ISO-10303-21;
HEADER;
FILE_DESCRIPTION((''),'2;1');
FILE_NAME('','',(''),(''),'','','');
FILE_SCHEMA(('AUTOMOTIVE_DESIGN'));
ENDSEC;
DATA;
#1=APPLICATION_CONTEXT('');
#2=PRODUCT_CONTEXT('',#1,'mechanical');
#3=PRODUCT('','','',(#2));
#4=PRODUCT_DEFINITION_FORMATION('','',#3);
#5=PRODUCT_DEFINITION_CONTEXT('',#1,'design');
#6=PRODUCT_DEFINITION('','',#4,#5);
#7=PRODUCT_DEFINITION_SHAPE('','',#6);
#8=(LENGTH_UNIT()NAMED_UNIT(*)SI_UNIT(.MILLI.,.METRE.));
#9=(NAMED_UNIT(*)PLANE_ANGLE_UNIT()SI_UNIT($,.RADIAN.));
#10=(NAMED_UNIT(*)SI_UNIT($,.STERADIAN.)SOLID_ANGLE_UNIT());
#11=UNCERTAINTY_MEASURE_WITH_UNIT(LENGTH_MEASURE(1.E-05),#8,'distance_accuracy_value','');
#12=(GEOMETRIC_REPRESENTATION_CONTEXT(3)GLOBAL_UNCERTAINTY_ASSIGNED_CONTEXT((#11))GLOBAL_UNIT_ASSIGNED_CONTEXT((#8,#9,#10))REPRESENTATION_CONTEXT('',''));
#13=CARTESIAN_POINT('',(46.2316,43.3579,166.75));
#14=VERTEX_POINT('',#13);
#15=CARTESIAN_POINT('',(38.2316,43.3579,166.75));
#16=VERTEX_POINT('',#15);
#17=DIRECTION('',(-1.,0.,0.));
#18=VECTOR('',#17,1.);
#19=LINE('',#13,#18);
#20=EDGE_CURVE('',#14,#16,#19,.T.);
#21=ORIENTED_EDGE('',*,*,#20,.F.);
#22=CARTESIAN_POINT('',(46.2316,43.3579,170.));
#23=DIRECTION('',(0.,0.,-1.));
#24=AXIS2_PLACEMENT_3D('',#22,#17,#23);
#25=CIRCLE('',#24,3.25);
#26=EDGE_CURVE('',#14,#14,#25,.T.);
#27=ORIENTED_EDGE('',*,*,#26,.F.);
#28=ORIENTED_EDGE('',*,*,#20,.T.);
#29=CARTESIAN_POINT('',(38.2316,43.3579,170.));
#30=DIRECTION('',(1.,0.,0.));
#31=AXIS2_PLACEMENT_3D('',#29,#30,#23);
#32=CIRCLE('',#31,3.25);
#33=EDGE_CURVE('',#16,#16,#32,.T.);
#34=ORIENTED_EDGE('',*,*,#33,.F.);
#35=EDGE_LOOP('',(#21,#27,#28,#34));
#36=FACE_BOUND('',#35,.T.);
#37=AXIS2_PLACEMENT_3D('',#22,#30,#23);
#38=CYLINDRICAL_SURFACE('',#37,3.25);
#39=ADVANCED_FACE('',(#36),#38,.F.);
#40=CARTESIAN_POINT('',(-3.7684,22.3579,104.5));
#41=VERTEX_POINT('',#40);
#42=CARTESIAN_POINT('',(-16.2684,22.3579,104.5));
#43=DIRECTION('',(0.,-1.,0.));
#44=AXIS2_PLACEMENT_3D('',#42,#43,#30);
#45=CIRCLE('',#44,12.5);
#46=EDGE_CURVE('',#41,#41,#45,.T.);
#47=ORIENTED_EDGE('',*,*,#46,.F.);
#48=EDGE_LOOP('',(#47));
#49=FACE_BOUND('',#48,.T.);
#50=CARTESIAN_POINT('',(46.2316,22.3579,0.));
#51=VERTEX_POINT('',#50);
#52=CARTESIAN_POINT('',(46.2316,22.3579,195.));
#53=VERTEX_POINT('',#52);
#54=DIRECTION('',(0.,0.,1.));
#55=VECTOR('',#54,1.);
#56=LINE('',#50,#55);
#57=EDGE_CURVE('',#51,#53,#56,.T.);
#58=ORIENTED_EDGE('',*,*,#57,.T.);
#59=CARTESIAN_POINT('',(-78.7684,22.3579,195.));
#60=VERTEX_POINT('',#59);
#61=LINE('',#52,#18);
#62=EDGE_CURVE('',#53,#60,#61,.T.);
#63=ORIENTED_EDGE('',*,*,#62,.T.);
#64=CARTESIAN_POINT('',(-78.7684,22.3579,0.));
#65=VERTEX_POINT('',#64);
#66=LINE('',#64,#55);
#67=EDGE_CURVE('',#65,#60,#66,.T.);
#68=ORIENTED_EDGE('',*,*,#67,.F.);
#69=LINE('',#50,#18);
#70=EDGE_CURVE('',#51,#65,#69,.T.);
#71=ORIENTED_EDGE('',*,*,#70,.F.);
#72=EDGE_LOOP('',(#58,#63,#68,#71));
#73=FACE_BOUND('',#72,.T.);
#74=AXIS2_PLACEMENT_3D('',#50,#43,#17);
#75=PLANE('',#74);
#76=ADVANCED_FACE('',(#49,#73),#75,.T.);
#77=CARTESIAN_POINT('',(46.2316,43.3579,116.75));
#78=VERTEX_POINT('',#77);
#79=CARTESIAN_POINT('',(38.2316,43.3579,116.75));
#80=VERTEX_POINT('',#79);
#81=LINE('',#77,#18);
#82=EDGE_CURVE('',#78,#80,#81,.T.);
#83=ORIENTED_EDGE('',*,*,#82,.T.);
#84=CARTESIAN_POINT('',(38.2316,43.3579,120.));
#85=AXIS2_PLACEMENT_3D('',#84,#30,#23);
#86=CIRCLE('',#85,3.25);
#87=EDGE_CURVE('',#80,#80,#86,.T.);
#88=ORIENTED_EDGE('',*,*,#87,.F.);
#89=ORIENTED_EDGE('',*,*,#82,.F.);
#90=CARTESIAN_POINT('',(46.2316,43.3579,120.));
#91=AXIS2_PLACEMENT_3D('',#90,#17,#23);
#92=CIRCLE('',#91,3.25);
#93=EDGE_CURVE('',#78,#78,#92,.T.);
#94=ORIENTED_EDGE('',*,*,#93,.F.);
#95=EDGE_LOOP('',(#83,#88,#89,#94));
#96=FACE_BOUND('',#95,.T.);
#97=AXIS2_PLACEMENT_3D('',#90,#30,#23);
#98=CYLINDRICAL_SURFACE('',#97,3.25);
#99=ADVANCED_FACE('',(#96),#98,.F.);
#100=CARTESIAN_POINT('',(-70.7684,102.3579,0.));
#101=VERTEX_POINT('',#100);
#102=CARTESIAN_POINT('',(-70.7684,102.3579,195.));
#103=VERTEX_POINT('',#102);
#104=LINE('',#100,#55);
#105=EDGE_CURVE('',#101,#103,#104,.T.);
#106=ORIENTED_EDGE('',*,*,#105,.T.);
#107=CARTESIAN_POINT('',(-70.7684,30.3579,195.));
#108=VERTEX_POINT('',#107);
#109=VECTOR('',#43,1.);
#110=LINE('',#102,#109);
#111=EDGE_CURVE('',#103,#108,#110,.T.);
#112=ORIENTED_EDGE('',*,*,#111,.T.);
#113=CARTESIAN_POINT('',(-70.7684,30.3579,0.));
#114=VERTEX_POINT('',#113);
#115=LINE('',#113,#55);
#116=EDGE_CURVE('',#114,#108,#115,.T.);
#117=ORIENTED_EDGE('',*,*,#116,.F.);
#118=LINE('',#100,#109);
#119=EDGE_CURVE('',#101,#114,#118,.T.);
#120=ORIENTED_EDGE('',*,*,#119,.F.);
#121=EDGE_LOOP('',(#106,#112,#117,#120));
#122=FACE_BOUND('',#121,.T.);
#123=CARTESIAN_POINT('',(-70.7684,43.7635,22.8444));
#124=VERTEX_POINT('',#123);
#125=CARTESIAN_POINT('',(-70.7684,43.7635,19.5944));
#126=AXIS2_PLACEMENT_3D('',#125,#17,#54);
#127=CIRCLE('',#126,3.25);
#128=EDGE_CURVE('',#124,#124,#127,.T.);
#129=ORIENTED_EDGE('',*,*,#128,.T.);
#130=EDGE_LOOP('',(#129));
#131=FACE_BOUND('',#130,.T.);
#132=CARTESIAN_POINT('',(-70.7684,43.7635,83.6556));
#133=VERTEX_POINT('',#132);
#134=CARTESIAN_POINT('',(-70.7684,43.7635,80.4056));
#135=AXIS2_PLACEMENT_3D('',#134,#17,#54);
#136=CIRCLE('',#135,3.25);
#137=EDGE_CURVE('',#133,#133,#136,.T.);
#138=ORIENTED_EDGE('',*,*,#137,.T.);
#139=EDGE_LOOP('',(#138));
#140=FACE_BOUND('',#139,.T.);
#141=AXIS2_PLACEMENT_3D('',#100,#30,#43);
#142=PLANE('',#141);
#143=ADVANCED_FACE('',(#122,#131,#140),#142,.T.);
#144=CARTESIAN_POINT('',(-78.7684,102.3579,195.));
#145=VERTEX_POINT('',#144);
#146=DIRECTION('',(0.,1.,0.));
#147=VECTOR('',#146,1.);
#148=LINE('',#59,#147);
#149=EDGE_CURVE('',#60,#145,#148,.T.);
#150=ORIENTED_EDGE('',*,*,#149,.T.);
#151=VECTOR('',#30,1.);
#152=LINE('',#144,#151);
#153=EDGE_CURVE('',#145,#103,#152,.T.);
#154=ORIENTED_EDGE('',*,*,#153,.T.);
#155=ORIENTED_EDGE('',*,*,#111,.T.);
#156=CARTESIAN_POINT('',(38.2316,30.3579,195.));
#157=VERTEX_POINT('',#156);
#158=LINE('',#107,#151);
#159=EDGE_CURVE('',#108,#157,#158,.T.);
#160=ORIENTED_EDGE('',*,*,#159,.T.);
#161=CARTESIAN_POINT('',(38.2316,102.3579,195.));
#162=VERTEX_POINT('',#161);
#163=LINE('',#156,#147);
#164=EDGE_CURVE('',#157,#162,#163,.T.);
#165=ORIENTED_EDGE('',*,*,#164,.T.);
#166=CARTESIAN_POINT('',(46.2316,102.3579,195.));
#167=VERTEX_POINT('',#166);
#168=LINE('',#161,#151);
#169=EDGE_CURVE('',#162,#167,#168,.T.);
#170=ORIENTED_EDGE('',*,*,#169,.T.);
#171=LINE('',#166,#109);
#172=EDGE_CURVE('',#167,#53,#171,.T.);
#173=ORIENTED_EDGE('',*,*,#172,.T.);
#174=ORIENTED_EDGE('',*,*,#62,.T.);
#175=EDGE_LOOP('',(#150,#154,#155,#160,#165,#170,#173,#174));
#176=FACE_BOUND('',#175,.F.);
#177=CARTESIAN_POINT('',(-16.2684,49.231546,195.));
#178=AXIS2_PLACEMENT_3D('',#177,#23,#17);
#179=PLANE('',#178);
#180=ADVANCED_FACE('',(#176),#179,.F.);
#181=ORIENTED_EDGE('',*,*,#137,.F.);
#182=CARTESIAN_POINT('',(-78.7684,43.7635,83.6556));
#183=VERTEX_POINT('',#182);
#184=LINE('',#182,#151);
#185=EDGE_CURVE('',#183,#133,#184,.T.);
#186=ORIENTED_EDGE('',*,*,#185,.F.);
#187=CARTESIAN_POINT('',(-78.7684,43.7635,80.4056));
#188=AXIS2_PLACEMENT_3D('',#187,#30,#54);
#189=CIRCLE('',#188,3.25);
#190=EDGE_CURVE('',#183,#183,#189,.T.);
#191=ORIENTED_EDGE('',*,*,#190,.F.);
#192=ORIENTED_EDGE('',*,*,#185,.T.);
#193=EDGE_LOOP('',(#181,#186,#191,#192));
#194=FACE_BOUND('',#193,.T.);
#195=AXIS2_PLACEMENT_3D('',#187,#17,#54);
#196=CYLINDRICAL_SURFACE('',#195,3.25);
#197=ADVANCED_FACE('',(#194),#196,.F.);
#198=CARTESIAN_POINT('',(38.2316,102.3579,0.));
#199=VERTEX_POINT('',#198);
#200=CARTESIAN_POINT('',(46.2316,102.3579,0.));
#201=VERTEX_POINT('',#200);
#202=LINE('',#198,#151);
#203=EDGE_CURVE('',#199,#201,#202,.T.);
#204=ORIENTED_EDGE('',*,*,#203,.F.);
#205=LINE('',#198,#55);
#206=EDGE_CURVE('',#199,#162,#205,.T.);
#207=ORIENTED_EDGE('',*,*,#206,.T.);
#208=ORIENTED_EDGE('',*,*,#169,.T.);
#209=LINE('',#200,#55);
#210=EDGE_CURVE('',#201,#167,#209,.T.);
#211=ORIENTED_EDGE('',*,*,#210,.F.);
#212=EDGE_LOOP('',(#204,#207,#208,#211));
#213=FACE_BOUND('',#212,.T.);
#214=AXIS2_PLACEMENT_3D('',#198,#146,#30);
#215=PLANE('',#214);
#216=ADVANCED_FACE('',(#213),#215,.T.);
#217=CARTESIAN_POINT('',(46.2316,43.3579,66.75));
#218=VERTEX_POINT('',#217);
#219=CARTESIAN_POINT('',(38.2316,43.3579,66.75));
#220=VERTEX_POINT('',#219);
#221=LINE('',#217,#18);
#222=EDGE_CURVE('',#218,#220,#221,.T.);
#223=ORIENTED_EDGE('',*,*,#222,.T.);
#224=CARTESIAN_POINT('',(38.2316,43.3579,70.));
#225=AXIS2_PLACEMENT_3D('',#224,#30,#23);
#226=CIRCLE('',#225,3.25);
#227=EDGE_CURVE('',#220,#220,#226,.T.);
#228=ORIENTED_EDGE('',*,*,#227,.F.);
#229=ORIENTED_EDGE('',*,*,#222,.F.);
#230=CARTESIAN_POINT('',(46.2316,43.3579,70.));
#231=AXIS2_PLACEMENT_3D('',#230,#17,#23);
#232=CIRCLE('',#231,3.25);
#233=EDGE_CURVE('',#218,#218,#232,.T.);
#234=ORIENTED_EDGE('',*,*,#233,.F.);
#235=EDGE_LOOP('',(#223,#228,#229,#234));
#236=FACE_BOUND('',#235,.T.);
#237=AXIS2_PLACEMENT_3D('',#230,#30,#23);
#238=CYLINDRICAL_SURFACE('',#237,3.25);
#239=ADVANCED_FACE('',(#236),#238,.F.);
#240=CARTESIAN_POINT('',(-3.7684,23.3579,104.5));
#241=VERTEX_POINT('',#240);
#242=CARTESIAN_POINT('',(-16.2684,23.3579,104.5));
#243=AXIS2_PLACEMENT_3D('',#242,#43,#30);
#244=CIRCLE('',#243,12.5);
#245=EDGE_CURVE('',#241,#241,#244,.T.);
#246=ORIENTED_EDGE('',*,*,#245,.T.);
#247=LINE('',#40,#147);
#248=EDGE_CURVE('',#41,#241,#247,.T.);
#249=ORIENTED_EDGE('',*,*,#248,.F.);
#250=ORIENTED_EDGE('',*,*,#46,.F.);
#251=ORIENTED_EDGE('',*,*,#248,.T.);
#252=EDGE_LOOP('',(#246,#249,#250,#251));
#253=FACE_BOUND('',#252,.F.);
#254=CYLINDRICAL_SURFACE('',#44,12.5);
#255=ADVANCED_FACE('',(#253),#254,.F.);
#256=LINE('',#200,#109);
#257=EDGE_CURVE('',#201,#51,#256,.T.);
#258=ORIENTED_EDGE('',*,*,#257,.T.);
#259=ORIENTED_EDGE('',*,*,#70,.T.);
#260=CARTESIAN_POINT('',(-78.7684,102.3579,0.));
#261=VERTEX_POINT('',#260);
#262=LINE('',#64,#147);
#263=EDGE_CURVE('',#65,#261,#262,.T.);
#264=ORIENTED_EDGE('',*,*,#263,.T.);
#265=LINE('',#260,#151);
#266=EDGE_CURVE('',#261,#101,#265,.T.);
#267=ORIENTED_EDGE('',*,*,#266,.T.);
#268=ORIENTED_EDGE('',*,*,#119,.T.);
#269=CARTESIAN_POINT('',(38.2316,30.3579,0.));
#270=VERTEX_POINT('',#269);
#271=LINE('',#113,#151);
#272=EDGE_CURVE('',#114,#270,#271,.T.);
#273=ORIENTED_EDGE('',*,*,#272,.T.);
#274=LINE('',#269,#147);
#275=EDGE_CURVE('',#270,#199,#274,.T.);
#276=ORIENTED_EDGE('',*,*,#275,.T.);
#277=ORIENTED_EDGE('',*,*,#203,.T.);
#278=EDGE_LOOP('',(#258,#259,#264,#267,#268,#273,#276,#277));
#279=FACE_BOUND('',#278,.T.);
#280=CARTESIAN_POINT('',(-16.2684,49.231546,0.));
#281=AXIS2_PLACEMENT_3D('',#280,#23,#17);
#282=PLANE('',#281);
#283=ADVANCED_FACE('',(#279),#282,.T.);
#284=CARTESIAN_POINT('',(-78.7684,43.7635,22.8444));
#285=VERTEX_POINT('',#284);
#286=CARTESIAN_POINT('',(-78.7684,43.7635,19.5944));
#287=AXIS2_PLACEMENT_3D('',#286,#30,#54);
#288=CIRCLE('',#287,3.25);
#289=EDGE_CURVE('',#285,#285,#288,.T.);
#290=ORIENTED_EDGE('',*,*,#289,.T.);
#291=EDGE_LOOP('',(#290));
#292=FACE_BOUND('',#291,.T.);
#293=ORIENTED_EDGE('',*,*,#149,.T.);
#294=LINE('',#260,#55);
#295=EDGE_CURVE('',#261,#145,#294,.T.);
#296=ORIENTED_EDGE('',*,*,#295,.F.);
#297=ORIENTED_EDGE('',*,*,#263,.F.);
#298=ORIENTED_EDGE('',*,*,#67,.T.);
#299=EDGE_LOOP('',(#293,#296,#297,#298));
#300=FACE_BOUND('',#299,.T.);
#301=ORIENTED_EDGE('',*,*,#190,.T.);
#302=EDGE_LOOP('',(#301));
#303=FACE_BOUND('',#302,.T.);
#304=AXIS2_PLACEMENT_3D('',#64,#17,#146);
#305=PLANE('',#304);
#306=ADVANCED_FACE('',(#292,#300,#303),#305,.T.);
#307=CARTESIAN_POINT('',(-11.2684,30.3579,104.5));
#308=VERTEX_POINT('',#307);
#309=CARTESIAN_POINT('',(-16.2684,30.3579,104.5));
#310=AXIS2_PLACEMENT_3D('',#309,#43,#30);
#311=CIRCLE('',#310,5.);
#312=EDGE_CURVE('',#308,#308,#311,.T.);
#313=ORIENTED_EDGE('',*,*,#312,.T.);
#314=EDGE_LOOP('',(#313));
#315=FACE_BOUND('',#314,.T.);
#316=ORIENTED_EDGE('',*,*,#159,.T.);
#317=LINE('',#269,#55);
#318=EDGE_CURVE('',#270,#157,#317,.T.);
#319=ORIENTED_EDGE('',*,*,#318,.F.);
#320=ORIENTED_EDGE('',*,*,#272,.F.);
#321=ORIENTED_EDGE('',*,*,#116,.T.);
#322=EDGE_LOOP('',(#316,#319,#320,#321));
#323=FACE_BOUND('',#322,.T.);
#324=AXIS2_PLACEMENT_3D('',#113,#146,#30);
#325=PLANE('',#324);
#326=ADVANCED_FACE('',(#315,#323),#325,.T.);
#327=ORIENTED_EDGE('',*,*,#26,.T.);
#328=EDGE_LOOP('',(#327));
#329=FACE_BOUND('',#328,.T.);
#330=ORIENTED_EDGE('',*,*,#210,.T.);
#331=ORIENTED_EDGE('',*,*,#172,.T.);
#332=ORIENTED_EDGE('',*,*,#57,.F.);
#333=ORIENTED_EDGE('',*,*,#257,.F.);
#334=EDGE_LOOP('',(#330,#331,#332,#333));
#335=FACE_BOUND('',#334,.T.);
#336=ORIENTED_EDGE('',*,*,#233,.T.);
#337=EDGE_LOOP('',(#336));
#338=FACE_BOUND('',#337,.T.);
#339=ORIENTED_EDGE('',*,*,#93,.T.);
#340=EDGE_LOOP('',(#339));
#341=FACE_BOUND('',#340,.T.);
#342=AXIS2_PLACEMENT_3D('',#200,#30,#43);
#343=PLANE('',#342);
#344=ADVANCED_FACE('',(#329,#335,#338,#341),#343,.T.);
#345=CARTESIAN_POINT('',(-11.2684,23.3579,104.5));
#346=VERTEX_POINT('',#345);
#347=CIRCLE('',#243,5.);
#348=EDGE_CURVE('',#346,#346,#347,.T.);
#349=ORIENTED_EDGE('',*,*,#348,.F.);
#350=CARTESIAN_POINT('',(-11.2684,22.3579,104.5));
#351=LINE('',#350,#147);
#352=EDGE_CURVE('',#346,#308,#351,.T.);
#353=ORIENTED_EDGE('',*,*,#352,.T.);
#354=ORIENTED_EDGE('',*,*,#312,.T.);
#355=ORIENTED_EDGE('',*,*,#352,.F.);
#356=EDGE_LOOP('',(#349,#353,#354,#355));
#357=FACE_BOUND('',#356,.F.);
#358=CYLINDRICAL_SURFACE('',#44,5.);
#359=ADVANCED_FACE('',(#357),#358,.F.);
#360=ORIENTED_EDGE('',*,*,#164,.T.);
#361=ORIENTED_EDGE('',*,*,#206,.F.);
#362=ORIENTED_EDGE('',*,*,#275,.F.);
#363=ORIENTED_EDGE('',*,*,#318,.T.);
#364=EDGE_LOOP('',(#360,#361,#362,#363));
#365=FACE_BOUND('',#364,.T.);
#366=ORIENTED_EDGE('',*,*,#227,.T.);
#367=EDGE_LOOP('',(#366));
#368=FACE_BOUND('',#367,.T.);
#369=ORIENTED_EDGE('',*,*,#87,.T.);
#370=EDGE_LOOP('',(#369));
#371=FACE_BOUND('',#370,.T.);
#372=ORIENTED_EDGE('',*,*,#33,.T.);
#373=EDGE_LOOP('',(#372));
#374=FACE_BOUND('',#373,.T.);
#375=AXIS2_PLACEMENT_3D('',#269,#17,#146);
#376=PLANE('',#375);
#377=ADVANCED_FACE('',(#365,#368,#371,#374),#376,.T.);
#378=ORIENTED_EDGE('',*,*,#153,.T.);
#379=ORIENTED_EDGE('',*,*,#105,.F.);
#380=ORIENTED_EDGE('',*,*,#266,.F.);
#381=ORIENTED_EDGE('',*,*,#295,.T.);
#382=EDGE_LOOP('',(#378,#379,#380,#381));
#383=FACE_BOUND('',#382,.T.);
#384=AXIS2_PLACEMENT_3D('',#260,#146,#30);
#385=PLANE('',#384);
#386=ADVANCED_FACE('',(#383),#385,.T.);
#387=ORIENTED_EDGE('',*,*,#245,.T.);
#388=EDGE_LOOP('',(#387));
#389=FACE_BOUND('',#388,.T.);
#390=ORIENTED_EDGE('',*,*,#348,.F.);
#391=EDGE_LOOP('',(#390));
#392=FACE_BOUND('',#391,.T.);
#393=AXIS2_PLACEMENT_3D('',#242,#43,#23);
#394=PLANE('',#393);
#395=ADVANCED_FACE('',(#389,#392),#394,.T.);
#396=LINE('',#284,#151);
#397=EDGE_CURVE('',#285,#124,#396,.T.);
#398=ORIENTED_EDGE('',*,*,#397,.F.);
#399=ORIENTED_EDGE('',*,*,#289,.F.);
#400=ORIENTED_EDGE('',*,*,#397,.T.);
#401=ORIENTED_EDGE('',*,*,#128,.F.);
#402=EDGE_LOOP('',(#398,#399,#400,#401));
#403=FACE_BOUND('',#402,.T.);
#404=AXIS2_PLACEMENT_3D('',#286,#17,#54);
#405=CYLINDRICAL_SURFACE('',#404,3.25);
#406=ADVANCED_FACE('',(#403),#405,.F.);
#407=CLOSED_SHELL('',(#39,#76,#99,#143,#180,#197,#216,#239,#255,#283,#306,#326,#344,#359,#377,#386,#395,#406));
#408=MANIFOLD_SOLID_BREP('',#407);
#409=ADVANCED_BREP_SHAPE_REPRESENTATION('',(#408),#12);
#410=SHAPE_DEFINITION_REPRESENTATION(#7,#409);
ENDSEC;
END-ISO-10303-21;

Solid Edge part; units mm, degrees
sketch "Sketch1" plane through (0, 0, 0) normal (0, 0, 1) x (1, 0, 0)
  line L0 (-78.7684, 102.3579) -> (-70.7684, 102.3579)
  line L1 (-70.7684, 102.3579) -> (-70.7684, 30.3579)
  line L2 (-70.7684, 30.3579) -> (38.2316, 30.3579)
  line L3 (38.2316, 30.3579) -> (38.2316, 102.3579)
  line L4 (38.2316, 102.3579) -> (46.2316, 102.3579)
  line L5 (46.2316, 102.3579) -> (46.2316, 22.3579)
  line L6 (46.2316, 22.3579) -> (-78.7684, 22.3579)
  line L7 (-78.7684, 22.3579) -> (-78.7684, 102.3579)
  dimension "D1" = 8
  dimension "D2" = 8
  dimension "D3" = 125
  dimension "D4" = 8
  dimension "D5" = 80
extrude "Protrusion1" add sketch "Sketch1" along normal blind 195
hole "Hole_1" at (46.2316, 43.3579, 120) direction (-1, 0, 0) diameter 6.5 end up to next
hole "Hole1" at (46.2316, 43.3579, 70) direction (-1, 0, 0) diameter 6.5 end up to next
hole "Hole2" at (46.2316, 43.3579, 170) direction (-1, 0, 0) diameter 6.5 end up to next
sketch "Sketch2" plane through (-16.2684, 22.3579, 75) normal (0, -1, 0) x (1, 0, 0)
  circle A0 centre (0, 29.5) radius 5
  dimension "D1" = 10
  dimension "D2" = 125
  dimension "D3" = 62.5
  dimension "D4" = 65.5
extrude "Cutout1" cut sketch "Sketch2" against normal through all
sketch "Sketch3" plane through (-16.2684, 22.3579, 75) normal (0, -1, 0) x (1, 0, 0)
  circle A0 centre (0, 29.5) radius 12.5
  dimension "D1" = 25
extrude "ExtrudedCutout_2" cut sketch "Sketch3" against normal blind 1
hole "Hole_6" at (-78.7684, 43.7635, 19.5944) direction (1, 0, 0) diameter 6.5 end up to next
hole "Hole3" at (-78.7684, 43.7635, 80.4056) direction (1, 0, 0) diameter 6.5 end up to next
properties material "Aluminum, 6061-T6"
